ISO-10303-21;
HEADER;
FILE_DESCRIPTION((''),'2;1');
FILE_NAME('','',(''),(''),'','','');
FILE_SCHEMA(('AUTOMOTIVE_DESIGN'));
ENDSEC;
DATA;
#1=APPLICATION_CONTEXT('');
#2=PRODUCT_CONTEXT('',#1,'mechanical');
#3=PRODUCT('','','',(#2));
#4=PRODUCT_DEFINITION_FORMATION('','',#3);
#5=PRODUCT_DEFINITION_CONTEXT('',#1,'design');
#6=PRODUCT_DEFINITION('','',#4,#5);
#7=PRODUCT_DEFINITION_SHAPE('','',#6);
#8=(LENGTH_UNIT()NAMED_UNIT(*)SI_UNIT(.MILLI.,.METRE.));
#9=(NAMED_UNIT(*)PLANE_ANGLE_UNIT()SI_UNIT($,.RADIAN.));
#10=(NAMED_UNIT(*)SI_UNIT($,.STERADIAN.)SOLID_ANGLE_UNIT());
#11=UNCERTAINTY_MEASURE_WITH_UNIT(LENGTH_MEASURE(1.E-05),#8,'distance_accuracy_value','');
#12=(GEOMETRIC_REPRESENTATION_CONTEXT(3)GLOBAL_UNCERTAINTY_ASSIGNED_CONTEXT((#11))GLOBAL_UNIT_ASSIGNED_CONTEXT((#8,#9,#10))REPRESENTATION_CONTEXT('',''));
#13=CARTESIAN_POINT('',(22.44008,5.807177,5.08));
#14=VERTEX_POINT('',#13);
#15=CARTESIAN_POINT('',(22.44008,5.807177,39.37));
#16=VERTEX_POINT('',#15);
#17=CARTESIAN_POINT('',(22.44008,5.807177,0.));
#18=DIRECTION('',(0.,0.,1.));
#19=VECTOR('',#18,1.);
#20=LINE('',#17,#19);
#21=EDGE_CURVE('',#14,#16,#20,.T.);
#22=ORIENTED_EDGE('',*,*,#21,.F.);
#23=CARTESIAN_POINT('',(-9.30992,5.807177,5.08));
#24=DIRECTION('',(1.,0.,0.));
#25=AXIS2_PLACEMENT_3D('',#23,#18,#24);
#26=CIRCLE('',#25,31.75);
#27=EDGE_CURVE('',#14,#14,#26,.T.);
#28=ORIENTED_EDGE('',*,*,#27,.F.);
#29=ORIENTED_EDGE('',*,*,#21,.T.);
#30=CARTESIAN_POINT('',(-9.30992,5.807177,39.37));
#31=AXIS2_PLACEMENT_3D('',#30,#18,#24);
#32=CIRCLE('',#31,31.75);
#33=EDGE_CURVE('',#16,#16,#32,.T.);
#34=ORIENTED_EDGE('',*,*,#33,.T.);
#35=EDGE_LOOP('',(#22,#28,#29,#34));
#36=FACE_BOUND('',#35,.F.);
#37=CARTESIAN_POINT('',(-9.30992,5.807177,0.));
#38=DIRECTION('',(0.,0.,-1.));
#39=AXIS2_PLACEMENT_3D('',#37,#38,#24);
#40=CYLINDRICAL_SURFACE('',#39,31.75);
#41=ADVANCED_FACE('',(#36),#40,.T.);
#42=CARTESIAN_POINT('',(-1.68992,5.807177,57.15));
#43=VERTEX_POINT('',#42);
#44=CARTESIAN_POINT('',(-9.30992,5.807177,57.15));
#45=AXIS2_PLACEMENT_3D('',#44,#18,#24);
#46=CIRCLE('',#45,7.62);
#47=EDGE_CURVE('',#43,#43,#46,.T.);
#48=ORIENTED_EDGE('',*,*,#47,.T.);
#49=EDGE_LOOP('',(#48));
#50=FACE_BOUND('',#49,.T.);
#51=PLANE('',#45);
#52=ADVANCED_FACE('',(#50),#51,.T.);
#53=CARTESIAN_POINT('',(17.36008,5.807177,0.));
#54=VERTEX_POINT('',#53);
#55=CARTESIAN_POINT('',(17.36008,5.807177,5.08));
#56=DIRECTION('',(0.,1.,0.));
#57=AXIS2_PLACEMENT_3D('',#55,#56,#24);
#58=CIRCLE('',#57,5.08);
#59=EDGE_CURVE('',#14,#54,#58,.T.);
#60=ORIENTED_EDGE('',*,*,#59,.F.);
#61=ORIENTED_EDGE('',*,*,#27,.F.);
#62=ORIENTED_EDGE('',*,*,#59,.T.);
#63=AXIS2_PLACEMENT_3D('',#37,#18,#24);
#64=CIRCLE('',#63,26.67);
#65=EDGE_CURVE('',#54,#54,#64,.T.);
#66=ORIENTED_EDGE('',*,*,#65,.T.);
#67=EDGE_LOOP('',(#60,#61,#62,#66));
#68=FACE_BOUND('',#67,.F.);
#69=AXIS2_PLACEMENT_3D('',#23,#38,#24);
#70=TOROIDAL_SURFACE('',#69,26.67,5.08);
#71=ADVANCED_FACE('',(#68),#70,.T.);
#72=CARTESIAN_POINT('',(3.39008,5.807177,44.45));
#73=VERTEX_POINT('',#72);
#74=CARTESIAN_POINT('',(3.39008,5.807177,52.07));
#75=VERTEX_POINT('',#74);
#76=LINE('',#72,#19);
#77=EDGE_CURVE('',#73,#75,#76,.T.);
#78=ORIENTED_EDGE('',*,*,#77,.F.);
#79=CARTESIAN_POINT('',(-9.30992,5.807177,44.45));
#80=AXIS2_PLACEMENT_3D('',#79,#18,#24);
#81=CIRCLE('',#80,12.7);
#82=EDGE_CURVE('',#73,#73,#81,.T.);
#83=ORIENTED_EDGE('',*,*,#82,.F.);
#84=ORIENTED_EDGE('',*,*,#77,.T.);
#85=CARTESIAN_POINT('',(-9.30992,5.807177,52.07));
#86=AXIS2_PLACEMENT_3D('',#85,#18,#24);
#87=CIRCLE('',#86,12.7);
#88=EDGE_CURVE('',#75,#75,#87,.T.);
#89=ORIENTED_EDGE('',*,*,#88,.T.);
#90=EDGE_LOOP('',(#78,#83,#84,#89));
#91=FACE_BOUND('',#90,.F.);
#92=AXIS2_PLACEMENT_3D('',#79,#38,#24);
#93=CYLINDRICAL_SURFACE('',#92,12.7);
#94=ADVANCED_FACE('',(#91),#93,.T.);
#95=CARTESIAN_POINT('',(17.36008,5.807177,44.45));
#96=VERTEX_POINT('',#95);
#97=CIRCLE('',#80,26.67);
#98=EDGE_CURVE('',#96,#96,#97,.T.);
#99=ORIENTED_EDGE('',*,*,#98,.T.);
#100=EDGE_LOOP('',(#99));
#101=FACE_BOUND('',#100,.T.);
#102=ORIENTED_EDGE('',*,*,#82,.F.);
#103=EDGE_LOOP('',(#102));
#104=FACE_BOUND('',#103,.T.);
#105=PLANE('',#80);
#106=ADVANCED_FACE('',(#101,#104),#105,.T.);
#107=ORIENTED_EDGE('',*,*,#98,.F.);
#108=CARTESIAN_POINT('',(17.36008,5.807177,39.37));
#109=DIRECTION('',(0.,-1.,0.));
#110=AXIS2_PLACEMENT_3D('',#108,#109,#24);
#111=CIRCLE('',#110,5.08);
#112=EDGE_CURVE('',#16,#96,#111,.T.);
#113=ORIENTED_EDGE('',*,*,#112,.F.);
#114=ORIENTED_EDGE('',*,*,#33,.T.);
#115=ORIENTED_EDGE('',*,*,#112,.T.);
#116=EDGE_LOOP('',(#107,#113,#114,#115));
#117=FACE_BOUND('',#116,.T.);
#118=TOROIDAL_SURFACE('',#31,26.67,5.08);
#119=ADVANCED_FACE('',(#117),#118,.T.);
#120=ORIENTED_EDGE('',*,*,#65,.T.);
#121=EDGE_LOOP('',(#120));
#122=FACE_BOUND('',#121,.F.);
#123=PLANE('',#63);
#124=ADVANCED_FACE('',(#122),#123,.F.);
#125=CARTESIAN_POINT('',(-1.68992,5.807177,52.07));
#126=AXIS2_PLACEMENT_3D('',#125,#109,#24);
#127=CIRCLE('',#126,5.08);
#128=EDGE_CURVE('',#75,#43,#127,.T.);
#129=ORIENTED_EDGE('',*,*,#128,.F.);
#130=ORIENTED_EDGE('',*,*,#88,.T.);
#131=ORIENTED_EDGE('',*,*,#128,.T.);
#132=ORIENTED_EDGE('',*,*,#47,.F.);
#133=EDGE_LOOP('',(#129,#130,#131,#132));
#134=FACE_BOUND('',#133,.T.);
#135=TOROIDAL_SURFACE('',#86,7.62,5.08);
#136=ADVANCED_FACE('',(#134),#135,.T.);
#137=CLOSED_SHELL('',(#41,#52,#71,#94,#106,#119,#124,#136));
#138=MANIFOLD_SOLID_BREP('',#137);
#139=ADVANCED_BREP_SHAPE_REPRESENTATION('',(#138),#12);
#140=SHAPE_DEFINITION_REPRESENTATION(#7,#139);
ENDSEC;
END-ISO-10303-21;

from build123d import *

# Parameters (mm, degrees)
F0_R     = 31.75
F1_DEPTH = 44.45
F2_R     = 12.7
F3_DEPTH = 12.7
F4_R     = 5.08


with BuildPart() as f1:
    # F0 (on Top) → F1 (new body)
    with BuildSketch(Plane.XY):
        with Locations((-9.30992, 5.807177)):
            Circle(F0_R)
    extrude(amount=F1_DEPTH)

    # F2 (on face) → F3 (join)
    with BuildSketch(Plane.XY.offset(44.45)):
        with Locations((-9.30992, 5.807177)):
            Circle(F2_R)
    extrude(amount=F3_DEPTH)

    # F4
    f4_edges = [f1.edges().sort_by_distance(p)[0] for p in [
        (-41.05992, 5.807177, 44.45),
        (-41.05992, 5.807177, 0),
        (-22.00992, 5.807177, 57.15),
    ]]
    fillet(f4_edges, radius=F4_R)


solid = f1.part
